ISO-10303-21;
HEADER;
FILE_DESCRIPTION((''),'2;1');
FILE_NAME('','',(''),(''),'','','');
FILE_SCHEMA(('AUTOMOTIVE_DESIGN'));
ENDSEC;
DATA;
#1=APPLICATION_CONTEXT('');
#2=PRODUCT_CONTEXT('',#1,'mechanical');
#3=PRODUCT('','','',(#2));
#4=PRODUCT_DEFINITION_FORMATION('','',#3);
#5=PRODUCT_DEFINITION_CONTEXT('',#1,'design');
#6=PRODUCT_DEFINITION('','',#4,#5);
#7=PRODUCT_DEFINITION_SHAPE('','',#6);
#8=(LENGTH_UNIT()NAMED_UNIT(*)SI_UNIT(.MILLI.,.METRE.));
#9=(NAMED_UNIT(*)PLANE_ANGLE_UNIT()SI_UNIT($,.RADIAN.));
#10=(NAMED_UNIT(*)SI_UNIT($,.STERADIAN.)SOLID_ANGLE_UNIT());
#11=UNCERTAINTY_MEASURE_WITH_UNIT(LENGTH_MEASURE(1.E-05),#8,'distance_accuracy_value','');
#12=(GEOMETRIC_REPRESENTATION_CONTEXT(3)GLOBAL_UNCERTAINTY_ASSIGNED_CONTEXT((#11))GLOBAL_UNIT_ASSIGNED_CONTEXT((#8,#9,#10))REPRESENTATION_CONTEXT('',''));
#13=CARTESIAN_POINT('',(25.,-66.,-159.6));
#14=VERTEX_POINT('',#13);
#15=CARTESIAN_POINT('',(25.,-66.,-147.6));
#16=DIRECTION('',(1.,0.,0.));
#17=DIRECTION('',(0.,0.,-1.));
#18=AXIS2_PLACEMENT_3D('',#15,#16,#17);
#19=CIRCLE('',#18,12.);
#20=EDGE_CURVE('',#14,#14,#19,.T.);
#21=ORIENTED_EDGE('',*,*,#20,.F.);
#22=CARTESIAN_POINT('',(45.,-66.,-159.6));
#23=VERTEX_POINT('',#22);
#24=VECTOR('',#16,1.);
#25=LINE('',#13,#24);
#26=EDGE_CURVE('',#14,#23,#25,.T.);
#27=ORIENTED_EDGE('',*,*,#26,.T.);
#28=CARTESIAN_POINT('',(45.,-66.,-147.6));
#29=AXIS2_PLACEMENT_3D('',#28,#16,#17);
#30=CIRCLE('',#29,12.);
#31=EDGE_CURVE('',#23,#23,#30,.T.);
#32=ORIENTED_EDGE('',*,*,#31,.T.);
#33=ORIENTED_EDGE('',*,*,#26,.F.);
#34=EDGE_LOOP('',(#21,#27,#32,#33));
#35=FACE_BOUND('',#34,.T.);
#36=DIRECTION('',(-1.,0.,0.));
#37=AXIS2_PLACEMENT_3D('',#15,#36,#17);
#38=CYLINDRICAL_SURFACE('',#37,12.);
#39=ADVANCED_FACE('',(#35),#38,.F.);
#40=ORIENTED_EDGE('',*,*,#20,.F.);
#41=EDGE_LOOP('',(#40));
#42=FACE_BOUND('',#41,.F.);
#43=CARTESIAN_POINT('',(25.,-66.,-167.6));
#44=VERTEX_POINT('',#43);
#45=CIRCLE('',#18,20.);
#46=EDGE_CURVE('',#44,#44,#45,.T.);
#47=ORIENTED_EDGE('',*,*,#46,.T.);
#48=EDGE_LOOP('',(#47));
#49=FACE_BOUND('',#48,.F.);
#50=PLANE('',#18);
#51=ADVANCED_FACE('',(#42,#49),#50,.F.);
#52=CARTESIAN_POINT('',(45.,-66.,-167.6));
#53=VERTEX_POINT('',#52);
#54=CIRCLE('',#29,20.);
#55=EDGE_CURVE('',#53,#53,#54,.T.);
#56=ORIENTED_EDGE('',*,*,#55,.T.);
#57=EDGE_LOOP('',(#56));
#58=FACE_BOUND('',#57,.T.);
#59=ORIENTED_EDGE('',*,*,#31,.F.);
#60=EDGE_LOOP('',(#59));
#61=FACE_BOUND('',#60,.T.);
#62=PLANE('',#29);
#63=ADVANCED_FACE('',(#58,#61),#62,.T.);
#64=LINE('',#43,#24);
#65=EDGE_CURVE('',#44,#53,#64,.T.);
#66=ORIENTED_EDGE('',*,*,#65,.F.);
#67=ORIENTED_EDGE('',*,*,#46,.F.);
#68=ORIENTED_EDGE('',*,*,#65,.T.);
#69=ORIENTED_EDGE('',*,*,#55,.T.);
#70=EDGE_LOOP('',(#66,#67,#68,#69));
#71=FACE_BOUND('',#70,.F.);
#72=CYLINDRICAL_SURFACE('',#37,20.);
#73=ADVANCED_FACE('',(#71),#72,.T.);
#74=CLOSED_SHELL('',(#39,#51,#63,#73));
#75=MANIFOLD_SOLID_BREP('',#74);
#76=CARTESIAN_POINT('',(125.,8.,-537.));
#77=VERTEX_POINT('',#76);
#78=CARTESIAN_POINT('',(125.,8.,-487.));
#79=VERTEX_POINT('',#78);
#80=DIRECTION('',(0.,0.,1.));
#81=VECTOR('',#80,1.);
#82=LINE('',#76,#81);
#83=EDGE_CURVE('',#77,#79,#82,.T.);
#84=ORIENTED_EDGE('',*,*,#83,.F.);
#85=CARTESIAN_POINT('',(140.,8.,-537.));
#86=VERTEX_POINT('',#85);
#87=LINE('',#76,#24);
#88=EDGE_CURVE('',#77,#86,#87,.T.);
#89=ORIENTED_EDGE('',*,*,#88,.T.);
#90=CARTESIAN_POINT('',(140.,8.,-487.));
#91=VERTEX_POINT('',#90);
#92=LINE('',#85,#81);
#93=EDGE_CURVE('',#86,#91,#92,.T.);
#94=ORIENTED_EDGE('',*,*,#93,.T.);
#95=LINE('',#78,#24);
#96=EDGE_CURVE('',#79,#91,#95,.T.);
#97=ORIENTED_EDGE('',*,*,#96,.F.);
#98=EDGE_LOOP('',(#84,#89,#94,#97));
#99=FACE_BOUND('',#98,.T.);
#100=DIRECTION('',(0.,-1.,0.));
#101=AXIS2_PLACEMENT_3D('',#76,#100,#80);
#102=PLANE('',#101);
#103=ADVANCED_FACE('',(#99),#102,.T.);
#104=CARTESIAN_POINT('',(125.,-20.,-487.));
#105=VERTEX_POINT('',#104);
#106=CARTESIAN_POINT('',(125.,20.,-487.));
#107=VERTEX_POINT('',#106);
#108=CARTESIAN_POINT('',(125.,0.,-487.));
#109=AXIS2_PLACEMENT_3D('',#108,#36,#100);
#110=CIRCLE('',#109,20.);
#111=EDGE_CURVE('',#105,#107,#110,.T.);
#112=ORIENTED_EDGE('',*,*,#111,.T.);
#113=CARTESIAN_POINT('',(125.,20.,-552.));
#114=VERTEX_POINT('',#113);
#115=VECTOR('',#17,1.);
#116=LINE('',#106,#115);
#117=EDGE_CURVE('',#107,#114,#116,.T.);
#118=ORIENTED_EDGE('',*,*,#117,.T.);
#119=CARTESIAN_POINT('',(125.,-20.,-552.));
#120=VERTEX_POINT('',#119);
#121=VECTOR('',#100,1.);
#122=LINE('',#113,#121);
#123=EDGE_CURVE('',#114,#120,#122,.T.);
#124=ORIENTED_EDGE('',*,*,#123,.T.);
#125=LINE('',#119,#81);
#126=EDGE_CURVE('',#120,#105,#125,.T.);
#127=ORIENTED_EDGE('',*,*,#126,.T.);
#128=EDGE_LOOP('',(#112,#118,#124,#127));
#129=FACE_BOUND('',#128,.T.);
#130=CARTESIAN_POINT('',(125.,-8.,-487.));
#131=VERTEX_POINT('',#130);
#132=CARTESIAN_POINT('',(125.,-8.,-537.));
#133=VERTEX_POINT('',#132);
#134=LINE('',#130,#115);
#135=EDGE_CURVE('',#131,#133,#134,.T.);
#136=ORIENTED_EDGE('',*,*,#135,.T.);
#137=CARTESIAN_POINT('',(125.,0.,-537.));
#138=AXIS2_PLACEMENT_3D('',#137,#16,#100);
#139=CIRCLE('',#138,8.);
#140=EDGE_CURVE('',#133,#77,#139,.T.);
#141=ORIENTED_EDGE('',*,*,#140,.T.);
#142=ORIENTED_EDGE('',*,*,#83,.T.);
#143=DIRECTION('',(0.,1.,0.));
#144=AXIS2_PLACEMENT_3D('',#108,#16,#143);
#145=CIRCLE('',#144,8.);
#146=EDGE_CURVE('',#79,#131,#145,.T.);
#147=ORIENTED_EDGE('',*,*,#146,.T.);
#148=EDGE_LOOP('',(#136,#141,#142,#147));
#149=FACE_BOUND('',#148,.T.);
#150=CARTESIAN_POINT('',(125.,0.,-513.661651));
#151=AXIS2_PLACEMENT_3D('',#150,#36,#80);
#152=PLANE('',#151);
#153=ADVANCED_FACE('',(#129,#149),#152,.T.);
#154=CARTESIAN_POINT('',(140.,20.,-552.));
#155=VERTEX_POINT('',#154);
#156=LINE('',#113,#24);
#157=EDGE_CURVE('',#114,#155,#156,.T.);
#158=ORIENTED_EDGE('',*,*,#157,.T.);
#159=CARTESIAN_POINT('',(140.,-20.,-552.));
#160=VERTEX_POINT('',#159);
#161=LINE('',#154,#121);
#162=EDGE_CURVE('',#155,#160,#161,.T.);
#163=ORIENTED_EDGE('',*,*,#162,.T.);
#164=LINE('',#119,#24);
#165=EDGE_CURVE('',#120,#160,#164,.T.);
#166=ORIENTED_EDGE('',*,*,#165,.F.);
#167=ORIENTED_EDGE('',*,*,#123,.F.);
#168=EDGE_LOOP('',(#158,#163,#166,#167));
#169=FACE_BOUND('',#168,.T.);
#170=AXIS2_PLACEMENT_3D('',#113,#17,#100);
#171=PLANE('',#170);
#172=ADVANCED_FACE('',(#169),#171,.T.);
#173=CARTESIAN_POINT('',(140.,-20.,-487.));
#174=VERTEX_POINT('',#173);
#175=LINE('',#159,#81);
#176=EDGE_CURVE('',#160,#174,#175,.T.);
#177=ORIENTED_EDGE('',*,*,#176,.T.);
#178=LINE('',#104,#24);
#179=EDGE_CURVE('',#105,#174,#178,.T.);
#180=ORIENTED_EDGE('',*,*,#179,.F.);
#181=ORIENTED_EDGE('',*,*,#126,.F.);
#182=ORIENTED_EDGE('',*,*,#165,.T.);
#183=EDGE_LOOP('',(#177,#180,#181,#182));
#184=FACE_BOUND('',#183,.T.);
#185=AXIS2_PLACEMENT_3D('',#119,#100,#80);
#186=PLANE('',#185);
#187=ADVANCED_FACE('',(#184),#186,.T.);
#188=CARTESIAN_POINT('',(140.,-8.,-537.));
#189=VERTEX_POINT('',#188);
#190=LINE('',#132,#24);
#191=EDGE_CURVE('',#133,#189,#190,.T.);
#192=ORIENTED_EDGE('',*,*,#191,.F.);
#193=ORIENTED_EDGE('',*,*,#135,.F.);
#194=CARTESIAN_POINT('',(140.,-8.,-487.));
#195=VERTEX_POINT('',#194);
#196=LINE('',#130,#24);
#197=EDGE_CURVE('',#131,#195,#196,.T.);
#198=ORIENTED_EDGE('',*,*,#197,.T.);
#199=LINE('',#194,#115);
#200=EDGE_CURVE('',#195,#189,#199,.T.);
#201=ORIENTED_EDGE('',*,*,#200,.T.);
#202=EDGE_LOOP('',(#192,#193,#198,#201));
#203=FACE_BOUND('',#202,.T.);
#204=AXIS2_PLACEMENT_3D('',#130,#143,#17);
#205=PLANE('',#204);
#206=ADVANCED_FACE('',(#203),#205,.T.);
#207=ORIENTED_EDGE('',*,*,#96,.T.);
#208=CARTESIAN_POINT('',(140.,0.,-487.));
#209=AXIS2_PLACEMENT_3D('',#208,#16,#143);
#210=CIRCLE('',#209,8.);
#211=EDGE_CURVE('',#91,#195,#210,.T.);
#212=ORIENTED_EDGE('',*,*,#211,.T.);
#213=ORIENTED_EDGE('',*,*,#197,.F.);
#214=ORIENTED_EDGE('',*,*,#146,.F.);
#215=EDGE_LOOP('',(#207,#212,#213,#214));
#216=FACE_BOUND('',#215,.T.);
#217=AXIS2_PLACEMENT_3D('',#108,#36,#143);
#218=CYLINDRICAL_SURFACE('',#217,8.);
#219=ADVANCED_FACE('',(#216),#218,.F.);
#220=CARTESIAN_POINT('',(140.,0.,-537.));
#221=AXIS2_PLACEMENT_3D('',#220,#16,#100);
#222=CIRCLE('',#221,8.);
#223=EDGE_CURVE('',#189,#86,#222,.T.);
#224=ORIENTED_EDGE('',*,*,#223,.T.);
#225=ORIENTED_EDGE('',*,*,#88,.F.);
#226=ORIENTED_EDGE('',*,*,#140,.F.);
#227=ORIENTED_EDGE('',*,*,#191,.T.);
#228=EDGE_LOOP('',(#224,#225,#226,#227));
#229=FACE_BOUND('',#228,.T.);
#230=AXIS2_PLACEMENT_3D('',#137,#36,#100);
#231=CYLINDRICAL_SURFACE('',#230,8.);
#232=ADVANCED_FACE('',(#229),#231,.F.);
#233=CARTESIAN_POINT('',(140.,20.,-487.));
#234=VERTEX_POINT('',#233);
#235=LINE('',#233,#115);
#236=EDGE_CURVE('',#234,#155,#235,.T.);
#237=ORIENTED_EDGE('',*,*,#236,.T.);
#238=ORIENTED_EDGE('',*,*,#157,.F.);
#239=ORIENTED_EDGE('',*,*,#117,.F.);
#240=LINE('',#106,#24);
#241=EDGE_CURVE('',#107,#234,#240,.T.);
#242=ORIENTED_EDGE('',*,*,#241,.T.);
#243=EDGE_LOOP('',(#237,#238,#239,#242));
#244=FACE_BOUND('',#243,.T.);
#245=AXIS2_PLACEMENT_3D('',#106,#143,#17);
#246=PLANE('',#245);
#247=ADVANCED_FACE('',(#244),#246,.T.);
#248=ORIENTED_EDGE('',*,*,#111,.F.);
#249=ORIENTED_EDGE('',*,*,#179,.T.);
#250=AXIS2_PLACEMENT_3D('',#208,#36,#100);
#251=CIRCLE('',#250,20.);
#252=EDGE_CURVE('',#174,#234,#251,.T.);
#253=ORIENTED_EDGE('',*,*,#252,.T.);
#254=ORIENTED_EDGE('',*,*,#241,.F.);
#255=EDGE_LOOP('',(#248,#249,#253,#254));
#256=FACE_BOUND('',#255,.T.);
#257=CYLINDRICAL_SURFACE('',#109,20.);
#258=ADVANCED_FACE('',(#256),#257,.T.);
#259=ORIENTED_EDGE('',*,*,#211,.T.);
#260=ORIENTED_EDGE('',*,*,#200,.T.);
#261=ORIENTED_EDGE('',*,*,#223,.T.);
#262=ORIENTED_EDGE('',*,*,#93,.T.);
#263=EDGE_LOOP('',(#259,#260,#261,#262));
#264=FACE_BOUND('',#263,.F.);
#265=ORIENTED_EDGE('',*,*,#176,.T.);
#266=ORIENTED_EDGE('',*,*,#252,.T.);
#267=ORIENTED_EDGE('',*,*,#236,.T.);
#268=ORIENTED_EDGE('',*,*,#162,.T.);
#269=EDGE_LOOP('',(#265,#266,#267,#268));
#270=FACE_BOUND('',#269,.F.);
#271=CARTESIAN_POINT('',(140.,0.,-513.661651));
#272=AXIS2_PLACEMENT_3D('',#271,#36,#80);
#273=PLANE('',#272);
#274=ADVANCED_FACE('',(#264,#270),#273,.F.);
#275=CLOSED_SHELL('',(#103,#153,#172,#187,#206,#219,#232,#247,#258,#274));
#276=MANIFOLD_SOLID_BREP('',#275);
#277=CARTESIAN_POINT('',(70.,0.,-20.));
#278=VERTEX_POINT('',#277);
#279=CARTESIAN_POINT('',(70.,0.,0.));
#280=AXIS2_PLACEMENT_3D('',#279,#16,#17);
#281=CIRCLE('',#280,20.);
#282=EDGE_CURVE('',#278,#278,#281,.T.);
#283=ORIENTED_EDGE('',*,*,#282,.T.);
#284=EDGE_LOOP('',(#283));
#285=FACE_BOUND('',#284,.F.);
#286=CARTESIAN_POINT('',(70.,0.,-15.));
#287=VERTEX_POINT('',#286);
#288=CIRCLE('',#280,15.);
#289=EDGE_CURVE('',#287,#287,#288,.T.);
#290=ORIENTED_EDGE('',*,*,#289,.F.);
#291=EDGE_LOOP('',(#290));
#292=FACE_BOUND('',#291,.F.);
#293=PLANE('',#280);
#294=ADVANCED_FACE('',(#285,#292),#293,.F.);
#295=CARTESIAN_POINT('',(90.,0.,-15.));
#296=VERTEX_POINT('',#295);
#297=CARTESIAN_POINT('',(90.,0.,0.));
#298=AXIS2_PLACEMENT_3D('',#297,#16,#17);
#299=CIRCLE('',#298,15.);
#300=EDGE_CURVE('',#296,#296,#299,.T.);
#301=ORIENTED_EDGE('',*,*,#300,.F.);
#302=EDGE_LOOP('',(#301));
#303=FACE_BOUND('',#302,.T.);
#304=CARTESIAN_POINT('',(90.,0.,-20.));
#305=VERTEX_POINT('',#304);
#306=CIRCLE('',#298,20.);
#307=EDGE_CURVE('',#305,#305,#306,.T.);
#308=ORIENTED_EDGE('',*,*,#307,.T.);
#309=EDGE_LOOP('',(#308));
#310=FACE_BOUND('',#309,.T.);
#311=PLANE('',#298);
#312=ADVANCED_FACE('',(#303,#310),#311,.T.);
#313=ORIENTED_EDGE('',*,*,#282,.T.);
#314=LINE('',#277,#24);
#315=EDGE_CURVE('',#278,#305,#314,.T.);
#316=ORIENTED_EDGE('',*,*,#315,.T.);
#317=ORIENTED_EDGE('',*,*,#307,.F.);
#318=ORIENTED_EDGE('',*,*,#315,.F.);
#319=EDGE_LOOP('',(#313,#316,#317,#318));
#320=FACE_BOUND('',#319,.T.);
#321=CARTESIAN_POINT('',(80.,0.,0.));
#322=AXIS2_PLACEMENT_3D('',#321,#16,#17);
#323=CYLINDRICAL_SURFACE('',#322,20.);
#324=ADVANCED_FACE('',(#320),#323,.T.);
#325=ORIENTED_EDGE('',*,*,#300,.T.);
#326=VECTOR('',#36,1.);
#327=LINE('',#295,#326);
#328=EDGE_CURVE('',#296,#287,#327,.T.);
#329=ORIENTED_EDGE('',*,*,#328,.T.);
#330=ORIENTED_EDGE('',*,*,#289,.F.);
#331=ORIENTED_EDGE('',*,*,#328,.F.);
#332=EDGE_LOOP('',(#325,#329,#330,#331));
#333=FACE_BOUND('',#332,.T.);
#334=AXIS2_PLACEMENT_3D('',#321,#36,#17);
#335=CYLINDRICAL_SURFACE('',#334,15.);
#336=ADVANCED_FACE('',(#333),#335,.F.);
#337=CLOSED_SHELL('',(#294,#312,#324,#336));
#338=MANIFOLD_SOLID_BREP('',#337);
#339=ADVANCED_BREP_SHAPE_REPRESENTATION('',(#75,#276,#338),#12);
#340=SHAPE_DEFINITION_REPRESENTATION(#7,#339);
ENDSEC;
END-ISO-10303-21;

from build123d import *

# Parameters (mm, degrees)
RAMA_START               = -55
SZKIC_INSERT_RAMA_R      = 20
SZKIC_INSERT_RAMA_R_2    = 15
RAMA_DEPTH               = 10
LINKAGE_START            = 25
SZKIC_INSERT_LINKAGE_R   = 20
SZKIC_INSERT_LINKAGE_R_2 = 12
LINKAGE_DEPTH            = 20
TYLNE_KO_O_DEPTH         = 15


with BuildPart() as part:
    # Szkic - insert - rama → Rama (new body, symmetric)
    with BuildSketch(Plane(origin=(135, 0, 0), x_dir=(0, 0, -1), z_dir=(1, 0, 0)).offset(RAMA_START)):
        Circle(SZKIC_INSERT_RAMA_R)
        Circle(SZKIC_INSERT_RAMA_R_2, mode=Mode.SUBTRACT)
    extrude(amount=RAMA_DEPTH, both=True)


with BuildPart() as body_2:
    # Szkic - insert - linkage → Linkage (new body)
    with BuildSketch(Plane(origin=(0, 0, 0), x_dir=(0, 0, -1), z_dir=(1, 0, 0)).offset(LINKAGE_START)):
        with Locations((147.6, -66)):
            Circle(SZKIC_INSERT_LINKAGE_R)
        with Locations((147.6, -66)):
            Circle(SZKIC_INSERT_LINKAGE_R_2, mode=Mode.SUBTRACT)
    extrude(amount=LINKAGE_DEPTH)


with BuildPart() as body_3:
    # Szkic - insert - tylne koło → Tylne koło (new body)
    with BuildSketch(Plane(origin=(125, 0, 0), x_dir=(0, 0, -1), z_dir=(1, 0, 0))):
        with BuildLine():
            Line((487, 20), (552, 20))
            Line((552, 20), (552, -20))
            Line((552, -20), (487, -20))
            ThreePointArc((487, -20), (467, 0), (487, 20))
        make_face()
        with BuildLine():
            Line((537, 8), (487, 8))
            ThreePointArc((487, 8), (479, 0), (487, -8))
            Line((487, -8), (537, -8))
            ThreePointArc((537, -8), (545, 0), (537, 8))
        make_face(mode=Mode.SUBTRACT)
    extrude(amount=TYLNE_KO_O_DEPTH)


solid = Compound([part.part, body_2.part, body_3.part])
